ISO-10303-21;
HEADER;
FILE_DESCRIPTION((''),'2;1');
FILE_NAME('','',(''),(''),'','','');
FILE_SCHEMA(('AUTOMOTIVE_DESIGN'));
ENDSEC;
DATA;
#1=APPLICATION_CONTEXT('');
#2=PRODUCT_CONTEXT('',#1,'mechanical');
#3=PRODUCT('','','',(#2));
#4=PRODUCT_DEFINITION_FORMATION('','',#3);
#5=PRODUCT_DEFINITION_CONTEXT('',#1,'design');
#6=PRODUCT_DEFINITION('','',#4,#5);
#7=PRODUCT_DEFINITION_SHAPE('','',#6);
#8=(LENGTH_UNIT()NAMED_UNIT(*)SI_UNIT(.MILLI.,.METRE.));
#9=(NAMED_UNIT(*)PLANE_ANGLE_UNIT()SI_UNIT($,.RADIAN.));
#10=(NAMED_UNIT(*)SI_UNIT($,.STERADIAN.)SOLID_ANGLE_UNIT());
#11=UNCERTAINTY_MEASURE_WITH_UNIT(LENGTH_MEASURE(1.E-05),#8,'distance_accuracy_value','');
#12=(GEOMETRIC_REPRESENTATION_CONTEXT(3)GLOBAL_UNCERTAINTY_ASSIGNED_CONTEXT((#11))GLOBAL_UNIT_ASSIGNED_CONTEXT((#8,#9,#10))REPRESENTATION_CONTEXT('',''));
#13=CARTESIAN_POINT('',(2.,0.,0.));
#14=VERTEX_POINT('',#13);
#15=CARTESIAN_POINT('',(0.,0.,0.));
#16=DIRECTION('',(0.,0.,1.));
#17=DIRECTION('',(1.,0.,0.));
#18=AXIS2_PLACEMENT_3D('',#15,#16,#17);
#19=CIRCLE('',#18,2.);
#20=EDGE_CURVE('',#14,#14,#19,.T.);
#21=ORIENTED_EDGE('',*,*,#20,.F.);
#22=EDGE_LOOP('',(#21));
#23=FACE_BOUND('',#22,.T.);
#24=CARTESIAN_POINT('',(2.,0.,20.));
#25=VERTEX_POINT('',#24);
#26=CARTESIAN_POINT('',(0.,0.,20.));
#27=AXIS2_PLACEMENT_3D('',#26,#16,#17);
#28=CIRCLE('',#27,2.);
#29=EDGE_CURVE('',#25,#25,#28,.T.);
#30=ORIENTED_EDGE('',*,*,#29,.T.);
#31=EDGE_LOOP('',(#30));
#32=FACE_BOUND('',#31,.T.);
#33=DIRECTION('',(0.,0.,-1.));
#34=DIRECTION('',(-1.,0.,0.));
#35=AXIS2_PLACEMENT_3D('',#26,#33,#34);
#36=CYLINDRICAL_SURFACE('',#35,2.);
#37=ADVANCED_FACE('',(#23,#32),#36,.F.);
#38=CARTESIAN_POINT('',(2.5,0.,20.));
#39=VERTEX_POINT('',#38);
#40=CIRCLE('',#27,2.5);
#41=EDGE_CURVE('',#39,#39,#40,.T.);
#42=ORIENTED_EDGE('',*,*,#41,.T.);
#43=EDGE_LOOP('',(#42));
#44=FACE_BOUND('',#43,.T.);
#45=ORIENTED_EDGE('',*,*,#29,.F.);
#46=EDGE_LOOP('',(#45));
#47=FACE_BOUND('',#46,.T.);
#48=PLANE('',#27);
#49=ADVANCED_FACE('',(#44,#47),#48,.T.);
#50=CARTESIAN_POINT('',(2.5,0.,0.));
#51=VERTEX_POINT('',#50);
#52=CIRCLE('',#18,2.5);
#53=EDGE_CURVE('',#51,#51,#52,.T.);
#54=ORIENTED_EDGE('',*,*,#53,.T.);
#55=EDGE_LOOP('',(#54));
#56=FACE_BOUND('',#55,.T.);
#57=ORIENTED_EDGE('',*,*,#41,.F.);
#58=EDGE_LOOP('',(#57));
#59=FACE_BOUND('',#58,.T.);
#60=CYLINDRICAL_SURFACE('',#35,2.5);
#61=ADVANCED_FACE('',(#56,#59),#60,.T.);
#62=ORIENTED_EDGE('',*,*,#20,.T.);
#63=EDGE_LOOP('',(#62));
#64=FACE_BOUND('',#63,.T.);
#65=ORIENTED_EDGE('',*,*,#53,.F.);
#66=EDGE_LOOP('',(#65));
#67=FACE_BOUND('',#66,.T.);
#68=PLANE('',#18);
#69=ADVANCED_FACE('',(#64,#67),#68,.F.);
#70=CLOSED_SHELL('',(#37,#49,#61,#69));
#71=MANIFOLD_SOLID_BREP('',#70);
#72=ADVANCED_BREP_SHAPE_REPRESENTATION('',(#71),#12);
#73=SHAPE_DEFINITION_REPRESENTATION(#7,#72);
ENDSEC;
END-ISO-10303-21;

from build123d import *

# Parameters (mm, degrees)
SKETCH_1_R      = 2.5
SKETCH_1_R_2    = 2
EXTRUDE_1_DEPTH = 20


with BuildPart() as part:
    # ｽｹｯﾁ1 → ﾎﾞｽ - 押し出し1 (new body)
    with BuildSketch(Plane.XY):
        Circle(SKETCH_1_R)
        Circle(SKETCH_1_R_2, mode=Mode.SUBTRACT)
    extrude(amount=EXTRUDE_1_DEPTH)


solid = part.part
